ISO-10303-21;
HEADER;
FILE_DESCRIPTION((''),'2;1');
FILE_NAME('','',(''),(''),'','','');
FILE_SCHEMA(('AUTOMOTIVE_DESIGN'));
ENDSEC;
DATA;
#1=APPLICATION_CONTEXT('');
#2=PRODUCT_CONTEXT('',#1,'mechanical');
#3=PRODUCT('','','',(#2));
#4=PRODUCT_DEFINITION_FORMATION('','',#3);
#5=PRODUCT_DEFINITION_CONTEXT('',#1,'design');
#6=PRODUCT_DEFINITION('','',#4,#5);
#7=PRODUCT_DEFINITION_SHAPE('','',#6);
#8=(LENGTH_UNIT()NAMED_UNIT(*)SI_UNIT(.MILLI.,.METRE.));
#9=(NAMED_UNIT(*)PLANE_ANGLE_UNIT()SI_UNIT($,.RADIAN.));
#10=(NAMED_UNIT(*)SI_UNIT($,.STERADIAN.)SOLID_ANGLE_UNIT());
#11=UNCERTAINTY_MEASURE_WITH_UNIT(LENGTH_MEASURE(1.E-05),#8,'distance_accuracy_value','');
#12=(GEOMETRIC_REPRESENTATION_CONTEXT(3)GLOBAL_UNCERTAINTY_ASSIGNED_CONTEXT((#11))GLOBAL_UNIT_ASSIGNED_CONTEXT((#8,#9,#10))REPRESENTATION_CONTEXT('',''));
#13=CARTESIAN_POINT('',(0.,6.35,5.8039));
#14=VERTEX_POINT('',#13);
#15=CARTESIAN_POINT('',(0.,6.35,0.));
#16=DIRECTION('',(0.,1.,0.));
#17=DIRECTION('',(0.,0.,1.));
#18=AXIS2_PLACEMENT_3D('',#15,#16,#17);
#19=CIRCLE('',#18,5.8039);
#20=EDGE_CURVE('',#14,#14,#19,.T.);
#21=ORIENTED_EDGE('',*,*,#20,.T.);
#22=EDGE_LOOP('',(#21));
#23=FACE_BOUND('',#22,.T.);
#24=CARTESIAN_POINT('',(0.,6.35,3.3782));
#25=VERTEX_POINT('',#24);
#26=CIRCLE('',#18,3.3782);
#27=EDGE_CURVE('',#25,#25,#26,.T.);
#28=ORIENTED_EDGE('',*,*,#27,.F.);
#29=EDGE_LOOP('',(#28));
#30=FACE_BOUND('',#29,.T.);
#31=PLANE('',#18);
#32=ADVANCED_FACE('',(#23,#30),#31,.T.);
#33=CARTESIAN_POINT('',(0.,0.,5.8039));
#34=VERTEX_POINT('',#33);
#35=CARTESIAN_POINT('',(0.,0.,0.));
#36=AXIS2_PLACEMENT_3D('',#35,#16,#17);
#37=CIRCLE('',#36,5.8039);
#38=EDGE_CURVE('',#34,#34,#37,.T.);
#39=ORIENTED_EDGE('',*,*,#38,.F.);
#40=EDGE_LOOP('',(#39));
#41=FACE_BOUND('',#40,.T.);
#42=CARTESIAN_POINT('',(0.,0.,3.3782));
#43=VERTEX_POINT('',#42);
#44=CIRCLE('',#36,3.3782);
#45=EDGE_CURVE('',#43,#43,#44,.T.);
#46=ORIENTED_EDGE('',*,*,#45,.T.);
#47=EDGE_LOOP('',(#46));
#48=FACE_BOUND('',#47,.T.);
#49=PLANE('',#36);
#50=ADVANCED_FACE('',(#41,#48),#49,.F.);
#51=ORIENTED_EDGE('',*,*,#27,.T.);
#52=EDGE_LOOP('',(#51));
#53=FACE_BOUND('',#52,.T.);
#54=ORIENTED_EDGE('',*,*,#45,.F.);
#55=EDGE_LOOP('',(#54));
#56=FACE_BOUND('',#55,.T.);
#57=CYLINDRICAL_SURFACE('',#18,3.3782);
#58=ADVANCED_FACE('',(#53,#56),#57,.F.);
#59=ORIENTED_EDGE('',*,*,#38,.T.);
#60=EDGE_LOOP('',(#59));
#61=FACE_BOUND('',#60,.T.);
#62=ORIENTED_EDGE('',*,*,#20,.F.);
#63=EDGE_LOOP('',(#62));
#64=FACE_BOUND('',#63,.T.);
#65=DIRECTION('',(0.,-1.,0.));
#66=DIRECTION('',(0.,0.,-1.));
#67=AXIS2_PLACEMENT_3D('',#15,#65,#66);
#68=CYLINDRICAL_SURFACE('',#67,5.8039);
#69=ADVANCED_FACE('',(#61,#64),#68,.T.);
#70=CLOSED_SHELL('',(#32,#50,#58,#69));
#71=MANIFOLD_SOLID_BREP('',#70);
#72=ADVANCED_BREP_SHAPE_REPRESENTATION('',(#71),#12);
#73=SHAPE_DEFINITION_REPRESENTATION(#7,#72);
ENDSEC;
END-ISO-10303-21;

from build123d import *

# Parameters (mm, degrees)
SKETCH1_R               = 5.8039
BOSS_EXTRUDE1_DEPTH     = 6.35
F_1_4_CLEARANCE_HOLE1_D = 6.7564


with BuildPart() as part:
    # Sketch1 → Boss-Extrude1 (new body)
    with BuildSketch(Plane(origin=(0, 0, 0), x_dir=(1, 0, 0), z_dir=(0, 1, 0))):
        with Locations(Location((0, 0, 0), (0, 0, 270))):
            Circle(SKETCH1_R)
    extrude(amount=BOSS_EXTRUDE1_DEPTH)

    # 1/4 Clearance Hole1 (through all)
    with Locations(Plane(origin=(0, 6.35, 0), x_dir=(1, 0, 0), z_dir=(0, 1, 0))):
        with Locations((0, 0)):
            Hole(F_1_4_CLEARANCE_HOLE1_D / 2)


solid = part.part
